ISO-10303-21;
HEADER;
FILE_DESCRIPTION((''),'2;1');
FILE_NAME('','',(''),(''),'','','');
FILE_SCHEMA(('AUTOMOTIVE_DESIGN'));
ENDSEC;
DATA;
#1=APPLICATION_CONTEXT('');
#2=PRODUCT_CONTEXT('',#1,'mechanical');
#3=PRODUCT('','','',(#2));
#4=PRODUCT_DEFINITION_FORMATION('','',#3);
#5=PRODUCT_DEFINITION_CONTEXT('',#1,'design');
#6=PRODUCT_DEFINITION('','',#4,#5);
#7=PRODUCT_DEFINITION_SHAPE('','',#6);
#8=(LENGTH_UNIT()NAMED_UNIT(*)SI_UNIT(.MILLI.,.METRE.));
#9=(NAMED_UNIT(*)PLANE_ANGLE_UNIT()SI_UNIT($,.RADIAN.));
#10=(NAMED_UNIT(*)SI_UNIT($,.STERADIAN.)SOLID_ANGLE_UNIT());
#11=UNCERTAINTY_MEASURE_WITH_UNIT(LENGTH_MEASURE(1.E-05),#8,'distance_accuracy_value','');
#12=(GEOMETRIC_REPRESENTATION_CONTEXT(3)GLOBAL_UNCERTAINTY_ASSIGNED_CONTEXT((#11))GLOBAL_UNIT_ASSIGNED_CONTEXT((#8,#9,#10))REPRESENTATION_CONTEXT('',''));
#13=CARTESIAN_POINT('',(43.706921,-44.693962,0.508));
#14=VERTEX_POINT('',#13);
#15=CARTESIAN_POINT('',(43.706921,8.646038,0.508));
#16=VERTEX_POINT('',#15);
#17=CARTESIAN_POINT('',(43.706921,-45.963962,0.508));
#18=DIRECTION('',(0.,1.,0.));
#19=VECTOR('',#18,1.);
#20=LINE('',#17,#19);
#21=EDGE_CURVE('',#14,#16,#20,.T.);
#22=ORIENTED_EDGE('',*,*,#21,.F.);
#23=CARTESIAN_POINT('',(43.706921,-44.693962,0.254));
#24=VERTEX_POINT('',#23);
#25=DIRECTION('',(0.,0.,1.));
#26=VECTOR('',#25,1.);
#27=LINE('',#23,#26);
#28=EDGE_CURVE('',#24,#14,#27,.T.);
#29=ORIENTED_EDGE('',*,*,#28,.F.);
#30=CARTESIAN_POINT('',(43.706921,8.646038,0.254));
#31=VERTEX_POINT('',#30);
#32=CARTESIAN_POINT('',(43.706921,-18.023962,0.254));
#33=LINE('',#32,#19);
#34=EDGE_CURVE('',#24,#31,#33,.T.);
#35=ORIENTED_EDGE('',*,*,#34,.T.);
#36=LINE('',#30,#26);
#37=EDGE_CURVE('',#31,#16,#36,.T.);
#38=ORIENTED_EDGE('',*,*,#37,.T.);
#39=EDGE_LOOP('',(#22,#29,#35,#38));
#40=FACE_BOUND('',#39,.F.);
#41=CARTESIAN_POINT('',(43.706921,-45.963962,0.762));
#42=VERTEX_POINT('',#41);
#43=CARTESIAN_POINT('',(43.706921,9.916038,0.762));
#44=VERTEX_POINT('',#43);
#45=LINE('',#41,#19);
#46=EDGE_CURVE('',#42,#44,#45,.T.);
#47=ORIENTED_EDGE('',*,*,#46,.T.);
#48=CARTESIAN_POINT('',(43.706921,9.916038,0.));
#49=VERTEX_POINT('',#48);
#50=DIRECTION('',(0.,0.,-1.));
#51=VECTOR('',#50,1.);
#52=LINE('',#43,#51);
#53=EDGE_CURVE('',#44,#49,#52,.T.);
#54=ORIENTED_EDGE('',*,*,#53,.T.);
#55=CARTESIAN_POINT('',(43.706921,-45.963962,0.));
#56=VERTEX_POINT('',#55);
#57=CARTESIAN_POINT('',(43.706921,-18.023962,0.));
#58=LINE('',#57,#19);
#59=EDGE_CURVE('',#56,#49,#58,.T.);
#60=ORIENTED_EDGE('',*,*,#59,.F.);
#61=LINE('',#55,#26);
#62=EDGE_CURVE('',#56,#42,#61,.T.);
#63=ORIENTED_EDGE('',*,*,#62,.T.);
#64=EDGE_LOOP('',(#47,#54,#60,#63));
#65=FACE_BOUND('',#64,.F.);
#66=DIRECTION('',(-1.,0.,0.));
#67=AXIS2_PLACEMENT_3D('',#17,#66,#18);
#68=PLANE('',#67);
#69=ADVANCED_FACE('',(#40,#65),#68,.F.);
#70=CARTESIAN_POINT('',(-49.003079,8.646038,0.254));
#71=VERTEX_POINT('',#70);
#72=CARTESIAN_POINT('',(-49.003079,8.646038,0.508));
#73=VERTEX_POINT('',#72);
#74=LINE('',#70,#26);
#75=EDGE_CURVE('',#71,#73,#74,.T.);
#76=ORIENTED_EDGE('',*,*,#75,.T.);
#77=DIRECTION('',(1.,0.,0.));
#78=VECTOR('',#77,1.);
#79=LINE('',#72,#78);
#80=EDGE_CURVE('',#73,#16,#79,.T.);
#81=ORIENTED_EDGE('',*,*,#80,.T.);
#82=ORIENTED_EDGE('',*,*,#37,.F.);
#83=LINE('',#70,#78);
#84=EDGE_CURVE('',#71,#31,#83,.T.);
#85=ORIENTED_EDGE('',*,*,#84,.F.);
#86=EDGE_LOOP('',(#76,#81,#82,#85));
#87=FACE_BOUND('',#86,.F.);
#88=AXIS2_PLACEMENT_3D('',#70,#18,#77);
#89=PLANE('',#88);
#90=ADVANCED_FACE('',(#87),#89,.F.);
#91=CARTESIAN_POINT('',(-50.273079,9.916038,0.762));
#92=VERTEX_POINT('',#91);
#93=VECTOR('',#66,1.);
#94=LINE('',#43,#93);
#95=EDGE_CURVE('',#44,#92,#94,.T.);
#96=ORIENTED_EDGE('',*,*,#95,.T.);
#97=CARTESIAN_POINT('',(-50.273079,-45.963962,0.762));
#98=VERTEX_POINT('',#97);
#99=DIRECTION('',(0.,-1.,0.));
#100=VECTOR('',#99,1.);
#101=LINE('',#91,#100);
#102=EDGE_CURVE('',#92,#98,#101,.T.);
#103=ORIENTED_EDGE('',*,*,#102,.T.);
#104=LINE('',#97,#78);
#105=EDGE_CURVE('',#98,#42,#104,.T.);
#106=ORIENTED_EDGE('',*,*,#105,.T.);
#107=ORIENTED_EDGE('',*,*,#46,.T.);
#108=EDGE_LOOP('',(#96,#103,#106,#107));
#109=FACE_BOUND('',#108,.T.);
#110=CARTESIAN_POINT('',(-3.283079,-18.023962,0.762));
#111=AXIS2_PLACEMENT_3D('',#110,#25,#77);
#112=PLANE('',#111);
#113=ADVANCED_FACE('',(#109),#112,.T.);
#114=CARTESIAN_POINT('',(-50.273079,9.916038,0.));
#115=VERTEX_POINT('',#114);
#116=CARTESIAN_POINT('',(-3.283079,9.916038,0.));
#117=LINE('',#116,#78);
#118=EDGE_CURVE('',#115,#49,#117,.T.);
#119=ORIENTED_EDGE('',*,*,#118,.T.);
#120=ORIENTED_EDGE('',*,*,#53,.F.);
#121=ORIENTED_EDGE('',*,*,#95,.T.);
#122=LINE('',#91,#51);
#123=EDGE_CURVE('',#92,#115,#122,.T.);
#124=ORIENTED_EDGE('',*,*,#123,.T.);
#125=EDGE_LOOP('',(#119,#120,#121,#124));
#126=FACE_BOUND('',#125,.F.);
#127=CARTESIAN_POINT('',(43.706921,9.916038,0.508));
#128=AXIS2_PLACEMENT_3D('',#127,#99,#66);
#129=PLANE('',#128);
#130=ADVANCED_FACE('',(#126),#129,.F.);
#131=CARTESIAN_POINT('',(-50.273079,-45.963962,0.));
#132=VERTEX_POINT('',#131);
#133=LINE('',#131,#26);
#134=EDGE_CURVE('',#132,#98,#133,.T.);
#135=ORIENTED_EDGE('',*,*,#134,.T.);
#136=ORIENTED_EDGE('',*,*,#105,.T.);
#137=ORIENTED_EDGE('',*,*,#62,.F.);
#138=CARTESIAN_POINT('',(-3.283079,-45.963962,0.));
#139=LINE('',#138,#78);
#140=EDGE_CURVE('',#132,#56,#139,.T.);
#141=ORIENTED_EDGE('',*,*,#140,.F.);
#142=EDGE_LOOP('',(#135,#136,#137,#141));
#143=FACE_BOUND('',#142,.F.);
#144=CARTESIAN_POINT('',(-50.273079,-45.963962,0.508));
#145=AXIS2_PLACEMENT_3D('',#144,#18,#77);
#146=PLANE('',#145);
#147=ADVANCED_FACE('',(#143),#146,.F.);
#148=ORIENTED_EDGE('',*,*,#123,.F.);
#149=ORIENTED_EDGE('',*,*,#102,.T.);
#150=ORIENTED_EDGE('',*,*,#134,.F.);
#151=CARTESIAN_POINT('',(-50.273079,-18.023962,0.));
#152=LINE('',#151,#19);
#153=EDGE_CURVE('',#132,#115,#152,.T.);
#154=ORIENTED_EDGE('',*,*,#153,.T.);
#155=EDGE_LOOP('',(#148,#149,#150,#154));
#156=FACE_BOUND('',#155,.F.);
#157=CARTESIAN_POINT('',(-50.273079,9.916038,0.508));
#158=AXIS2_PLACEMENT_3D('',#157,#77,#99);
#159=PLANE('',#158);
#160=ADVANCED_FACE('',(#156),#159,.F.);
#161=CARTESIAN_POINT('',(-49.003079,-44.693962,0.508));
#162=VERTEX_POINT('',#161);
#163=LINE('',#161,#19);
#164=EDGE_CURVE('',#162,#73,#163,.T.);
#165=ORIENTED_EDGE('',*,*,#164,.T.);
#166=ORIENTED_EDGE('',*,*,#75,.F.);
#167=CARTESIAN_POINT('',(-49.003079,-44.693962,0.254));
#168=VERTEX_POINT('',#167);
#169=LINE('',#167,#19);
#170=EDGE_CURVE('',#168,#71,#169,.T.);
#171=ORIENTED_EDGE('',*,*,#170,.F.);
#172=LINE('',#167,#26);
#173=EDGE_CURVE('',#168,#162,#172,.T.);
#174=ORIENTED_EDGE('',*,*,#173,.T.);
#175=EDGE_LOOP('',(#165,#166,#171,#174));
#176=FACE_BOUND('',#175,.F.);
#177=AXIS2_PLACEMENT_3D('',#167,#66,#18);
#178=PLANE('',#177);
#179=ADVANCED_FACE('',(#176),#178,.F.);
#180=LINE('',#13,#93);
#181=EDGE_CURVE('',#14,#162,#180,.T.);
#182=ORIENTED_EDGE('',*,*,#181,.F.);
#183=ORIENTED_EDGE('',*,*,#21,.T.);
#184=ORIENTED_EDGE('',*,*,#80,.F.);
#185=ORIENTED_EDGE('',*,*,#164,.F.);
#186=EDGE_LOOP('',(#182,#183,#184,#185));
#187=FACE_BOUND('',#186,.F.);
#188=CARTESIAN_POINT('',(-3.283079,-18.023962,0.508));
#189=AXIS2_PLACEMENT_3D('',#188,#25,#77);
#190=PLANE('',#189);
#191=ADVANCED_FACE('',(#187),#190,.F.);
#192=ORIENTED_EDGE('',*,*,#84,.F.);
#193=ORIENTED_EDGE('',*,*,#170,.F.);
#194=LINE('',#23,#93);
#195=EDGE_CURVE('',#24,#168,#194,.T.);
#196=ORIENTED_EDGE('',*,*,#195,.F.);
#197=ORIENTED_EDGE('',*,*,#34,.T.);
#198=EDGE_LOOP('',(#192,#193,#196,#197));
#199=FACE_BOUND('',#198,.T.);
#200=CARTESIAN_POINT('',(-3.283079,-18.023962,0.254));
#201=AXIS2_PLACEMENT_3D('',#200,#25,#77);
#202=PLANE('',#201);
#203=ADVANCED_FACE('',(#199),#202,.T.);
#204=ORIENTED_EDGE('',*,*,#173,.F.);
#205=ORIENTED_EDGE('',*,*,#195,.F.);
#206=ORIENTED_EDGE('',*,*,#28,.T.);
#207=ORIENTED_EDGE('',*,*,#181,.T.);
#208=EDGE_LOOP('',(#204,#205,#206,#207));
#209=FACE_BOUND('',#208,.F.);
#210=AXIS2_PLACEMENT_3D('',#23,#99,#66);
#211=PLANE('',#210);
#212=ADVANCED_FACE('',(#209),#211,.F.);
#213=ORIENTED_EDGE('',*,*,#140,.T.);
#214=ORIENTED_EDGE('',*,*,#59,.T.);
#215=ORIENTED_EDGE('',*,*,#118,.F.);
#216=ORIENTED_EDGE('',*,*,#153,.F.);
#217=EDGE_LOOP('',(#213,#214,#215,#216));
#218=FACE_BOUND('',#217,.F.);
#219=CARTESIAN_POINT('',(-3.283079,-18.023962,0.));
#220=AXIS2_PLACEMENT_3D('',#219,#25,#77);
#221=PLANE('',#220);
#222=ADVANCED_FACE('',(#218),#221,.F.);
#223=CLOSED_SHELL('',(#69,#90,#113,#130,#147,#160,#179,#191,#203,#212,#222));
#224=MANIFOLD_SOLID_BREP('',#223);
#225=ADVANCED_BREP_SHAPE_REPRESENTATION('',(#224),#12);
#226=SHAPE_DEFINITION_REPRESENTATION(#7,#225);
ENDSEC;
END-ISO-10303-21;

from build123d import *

# Parameters (mm, degrees)
F0_W     = 93.98
F0_H     = 55.88
F1_DEPTH = 0.254
F3_DEPTH = 0.254
F5_DEPTH = 0.254


with BuildPart() as f1:
    # F0 (on Top) → F1 (new body)
    with BuildSketch(Plane.XY):
        with Locations((-3.283079, -18.023962)):
            Rectangle(F0_W, F0_H)
    extrude(amount=F1_DEPTH)

    # F2 (on face) → F3 (join)
    with BuildSketch(Plane.XY.offset(0.254)):
        Polygon((43.706921, 9.916038), (-50.273079, 9.916038), (-50.273079, -45.963962), (43.706921, -45.963962), (43.706921, -44.693962), (-49.003079, -44.693962), (-49.003079, 8.646038), (43.706921, 8.646038), align=None)
    extrude(amount=F3_DEPTH)

    # F4 (on face) → F5 (join)
    with BuildSketch(Plane.XY.offset(0.508)):
        Polygon((-50.273079, 9.916038), (-50.273079, -45.963962), (43.706921, -45.963962), (43.706921, -44.693962), (43.706921, 8.646038), (43.706921, 9.916038), align=None)
    extrude(amount=F5_DEPTH)


solid = f1.part
